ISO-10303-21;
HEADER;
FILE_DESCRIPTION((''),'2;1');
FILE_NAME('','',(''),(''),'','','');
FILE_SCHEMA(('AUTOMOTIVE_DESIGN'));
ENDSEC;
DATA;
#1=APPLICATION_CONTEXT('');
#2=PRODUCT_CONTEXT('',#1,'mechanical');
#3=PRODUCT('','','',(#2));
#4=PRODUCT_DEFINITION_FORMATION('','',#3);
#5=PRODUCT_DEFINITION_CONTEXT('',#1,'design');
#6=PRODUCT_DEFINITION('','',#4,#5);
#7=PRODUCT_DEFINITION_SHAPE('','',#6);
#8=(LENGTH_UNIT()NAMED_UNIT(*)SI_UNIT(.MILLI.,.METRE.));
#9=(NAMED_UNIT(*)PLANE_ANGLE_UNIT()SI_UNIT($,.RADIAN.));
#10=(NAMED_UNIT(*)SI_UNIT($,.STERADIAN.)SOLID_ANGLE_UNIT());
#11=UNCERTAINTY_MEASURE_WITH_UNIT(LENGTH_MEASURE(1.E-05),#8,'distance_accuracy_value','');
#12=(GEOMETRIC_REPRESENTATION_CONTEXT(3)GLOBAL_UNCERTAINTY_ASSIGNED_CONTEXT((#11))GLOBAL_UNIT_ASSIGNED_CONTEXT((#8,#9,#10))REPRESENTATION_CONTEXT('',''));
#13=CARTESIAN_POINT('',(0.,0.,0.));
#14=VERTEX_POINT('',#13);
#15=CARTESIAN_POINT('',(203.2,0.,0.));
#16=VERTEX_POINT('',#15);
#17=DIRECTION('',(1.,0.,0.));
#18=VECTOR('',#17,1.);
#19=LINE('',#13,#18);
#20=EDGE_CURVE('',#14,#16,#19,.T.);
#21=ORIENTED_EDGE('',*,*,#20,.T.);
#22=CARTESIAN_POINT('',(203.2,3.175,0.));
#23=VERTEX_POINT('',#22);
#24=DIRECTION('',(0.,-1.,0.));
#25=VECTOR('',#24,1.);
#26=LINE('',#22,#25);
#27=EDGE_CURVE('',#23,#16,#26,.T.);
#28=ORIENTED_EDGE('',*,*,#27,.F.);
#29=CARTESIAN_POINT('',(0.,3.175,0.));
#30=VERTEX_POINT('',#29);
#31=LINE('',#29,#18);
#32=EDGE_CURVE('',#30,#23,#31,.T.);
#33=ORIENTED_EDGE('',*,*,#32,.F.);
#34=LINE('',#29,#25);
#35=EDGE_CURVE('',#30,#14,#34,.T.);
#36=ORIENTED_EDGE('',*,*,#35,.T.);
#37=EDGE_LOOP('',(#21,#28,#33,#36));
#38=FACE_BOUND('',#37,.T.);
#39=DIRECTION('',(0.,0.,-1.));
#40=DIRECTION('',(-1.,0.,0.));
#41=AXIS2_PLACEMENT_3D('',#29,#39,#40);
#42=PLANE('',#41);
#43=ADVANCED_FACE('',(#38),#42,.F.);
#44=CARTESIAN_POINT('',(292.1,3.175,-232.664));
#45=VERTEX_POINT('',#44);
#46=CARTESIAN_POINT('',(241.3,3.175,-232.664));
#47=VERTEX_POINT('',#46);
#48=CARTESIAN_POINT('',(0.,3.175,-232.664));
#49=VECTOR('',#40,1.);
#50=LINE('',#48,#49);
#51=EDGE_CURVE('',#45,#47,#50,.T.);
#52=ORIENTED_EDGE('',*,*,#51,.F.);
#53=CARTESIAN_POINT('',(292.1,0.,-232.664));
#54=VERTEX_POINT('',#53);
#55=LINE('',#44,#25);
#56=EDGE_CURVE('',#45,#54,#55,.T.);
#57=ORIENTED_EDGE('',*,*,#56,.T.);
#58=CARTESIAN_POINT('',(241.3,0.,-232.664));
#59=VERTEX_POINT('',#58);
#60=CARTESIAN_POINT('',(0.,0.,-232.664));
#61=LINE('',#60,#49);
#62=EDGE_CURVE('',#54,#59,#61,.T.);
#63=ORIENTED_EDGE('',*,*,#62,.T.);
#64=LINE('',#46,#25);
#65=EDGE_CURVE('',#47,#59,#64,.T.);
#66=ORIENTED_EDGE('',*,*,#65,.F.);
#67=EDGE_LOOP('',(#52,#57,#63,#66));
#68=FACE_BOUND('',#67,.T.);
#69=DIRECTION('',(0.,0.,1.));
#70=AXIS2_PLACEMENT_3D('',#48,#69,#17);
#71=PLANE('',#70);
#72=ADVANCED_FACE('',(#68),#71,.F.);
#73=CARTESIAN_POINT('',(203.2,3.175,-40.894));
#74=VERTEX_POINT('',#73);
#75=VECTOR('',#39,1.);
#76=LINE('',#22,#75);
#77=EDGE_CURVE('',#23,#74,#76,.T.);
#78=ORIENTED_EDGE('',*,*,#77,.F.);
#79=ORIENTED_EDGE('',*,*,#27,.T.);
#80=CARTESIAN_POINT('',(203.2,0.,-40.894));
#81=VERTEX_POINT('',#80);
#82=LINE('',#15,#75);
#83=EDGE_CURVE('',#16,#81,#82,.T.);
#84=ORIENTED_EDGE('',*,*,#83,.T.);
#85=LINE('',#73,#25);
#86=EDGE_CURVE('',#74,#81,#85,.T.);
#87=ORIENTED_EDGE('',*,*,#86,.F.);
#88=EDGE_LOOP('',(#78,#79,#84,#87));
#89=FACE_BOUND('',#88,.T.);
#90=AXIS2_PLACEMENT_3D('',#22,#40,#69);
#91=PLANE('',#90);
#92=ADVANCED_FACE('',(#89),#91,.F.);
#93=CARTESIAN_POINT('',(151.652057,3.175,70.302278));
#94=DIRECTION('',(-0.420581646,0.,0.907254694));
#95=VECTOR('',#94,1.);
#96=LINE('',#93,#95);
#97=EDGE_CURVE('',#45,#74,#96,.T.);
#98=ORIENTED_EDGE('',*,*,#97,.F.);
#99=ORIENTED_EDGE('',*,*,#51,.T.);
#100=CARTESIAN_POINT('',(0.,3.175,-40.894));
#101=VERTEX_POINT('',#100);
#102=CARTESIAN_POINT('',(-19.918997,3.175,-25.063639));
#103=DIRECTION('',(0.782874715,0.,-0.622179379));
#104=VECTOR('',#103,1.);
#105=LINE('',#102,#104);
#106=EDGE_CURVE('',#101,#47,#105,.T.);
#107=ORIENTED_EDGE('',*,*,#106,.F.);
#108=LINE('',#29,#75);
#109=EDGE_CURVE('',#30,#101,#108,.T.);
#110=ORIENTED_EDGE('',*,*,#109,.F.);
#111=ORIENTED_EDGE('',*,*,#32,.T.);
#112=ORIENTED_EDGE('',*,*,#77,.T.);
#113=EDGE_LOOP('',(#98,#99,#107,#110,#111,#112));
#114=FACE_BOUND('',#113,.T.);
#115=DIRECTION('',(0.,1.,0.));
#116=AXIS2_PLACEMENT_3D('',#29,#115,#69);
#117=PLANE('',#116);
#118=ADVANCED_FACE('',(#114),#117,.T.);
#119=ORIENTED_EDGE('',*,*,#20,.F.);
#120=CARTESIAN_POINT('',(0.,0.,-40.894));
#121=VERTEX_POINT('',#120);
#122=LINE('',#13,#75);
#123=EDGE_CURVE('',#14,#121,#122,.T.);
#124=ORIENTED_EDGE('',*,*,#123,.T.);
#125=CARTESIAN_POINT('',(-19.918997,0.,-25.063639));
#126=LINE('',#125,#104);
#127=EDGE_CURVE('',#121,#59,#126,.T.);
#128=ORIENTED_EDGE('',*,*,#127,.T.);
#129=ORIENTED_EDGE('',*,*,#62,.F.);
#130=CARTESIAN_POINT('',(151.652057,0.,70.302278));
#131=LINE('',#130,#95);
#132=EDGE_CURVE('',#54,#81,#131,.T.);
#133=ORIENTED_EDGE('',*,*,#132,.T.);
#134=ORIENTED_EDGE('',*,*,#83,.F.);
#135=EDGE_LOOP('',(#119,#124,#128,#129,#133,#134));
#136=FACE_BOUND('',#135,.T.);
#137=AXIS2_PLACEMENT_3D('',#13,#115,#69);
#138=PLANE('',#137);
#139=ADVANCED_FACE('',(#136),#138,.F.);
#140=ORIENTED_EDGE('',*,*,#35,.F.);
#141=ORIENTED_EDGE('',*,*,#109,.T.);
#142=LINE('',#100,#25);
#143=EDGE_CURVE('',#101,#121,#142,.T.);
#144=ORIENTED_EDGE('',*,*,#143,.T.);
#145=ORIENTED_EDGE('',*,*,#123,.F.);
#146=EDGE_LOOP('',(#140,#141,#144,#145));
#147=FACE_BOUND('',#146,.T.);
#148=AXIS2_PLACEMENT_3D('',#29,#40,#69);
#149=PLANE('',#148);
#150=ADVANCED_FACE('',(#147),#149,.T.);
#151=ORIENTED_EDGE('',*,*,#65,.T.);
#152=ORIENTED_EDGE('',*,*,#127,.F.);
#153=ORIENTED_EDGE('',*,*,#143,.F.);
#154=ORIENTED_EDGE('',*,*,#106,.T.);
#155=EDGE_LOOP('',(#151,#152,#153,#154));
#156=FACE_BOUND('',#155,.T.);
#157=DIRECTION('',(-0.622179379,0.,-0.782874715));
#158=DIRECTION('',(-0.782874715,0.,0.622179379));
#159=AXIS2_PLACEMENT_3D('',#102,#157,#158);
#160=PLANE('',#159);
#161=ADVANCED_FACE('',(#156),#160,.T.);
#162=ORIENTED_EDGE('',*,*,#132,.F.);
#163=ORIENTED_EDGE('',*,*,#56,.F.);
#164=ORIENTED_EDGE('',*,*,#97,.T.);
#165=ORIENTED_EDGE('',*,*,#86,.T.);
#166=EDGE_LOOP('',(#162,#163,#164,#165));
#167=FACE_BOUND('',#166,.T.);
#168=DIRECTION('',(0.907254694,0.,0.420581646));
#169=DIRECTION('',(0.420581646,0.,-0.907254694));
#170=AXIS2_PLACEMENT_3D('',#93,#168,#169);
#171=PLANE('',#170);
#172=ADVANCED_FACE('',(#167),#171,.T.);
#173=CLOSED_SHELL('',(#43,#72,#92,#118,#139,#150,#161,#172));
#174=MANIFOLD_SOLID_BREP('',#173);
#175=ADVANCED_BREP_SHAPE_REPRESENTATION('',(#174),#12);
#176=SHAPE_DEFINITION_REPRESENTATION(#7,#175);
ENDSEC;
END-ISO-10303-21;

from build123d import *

# Parameters (mm, degrees)
BOSS_EXTRUDE1_DEPTH = 3.175


with BuildPart() as part:
    # Sketch1 → Boss-Extrude1 (new body)
    with BuildSketch(Plane(origin=(0, 0, 0), x_dir=(1, 0, 0), z_dir=(0, 1, 0))):
        Polygon((0, 40.894), (241.3, 232.664), (292.1, 232.664), (203.2, 40.894), (203.2, 0), (0, 0), align=None)
    extrude(amount=BOSS_EXTRUDE1_DEPTH)


solid = part.part
